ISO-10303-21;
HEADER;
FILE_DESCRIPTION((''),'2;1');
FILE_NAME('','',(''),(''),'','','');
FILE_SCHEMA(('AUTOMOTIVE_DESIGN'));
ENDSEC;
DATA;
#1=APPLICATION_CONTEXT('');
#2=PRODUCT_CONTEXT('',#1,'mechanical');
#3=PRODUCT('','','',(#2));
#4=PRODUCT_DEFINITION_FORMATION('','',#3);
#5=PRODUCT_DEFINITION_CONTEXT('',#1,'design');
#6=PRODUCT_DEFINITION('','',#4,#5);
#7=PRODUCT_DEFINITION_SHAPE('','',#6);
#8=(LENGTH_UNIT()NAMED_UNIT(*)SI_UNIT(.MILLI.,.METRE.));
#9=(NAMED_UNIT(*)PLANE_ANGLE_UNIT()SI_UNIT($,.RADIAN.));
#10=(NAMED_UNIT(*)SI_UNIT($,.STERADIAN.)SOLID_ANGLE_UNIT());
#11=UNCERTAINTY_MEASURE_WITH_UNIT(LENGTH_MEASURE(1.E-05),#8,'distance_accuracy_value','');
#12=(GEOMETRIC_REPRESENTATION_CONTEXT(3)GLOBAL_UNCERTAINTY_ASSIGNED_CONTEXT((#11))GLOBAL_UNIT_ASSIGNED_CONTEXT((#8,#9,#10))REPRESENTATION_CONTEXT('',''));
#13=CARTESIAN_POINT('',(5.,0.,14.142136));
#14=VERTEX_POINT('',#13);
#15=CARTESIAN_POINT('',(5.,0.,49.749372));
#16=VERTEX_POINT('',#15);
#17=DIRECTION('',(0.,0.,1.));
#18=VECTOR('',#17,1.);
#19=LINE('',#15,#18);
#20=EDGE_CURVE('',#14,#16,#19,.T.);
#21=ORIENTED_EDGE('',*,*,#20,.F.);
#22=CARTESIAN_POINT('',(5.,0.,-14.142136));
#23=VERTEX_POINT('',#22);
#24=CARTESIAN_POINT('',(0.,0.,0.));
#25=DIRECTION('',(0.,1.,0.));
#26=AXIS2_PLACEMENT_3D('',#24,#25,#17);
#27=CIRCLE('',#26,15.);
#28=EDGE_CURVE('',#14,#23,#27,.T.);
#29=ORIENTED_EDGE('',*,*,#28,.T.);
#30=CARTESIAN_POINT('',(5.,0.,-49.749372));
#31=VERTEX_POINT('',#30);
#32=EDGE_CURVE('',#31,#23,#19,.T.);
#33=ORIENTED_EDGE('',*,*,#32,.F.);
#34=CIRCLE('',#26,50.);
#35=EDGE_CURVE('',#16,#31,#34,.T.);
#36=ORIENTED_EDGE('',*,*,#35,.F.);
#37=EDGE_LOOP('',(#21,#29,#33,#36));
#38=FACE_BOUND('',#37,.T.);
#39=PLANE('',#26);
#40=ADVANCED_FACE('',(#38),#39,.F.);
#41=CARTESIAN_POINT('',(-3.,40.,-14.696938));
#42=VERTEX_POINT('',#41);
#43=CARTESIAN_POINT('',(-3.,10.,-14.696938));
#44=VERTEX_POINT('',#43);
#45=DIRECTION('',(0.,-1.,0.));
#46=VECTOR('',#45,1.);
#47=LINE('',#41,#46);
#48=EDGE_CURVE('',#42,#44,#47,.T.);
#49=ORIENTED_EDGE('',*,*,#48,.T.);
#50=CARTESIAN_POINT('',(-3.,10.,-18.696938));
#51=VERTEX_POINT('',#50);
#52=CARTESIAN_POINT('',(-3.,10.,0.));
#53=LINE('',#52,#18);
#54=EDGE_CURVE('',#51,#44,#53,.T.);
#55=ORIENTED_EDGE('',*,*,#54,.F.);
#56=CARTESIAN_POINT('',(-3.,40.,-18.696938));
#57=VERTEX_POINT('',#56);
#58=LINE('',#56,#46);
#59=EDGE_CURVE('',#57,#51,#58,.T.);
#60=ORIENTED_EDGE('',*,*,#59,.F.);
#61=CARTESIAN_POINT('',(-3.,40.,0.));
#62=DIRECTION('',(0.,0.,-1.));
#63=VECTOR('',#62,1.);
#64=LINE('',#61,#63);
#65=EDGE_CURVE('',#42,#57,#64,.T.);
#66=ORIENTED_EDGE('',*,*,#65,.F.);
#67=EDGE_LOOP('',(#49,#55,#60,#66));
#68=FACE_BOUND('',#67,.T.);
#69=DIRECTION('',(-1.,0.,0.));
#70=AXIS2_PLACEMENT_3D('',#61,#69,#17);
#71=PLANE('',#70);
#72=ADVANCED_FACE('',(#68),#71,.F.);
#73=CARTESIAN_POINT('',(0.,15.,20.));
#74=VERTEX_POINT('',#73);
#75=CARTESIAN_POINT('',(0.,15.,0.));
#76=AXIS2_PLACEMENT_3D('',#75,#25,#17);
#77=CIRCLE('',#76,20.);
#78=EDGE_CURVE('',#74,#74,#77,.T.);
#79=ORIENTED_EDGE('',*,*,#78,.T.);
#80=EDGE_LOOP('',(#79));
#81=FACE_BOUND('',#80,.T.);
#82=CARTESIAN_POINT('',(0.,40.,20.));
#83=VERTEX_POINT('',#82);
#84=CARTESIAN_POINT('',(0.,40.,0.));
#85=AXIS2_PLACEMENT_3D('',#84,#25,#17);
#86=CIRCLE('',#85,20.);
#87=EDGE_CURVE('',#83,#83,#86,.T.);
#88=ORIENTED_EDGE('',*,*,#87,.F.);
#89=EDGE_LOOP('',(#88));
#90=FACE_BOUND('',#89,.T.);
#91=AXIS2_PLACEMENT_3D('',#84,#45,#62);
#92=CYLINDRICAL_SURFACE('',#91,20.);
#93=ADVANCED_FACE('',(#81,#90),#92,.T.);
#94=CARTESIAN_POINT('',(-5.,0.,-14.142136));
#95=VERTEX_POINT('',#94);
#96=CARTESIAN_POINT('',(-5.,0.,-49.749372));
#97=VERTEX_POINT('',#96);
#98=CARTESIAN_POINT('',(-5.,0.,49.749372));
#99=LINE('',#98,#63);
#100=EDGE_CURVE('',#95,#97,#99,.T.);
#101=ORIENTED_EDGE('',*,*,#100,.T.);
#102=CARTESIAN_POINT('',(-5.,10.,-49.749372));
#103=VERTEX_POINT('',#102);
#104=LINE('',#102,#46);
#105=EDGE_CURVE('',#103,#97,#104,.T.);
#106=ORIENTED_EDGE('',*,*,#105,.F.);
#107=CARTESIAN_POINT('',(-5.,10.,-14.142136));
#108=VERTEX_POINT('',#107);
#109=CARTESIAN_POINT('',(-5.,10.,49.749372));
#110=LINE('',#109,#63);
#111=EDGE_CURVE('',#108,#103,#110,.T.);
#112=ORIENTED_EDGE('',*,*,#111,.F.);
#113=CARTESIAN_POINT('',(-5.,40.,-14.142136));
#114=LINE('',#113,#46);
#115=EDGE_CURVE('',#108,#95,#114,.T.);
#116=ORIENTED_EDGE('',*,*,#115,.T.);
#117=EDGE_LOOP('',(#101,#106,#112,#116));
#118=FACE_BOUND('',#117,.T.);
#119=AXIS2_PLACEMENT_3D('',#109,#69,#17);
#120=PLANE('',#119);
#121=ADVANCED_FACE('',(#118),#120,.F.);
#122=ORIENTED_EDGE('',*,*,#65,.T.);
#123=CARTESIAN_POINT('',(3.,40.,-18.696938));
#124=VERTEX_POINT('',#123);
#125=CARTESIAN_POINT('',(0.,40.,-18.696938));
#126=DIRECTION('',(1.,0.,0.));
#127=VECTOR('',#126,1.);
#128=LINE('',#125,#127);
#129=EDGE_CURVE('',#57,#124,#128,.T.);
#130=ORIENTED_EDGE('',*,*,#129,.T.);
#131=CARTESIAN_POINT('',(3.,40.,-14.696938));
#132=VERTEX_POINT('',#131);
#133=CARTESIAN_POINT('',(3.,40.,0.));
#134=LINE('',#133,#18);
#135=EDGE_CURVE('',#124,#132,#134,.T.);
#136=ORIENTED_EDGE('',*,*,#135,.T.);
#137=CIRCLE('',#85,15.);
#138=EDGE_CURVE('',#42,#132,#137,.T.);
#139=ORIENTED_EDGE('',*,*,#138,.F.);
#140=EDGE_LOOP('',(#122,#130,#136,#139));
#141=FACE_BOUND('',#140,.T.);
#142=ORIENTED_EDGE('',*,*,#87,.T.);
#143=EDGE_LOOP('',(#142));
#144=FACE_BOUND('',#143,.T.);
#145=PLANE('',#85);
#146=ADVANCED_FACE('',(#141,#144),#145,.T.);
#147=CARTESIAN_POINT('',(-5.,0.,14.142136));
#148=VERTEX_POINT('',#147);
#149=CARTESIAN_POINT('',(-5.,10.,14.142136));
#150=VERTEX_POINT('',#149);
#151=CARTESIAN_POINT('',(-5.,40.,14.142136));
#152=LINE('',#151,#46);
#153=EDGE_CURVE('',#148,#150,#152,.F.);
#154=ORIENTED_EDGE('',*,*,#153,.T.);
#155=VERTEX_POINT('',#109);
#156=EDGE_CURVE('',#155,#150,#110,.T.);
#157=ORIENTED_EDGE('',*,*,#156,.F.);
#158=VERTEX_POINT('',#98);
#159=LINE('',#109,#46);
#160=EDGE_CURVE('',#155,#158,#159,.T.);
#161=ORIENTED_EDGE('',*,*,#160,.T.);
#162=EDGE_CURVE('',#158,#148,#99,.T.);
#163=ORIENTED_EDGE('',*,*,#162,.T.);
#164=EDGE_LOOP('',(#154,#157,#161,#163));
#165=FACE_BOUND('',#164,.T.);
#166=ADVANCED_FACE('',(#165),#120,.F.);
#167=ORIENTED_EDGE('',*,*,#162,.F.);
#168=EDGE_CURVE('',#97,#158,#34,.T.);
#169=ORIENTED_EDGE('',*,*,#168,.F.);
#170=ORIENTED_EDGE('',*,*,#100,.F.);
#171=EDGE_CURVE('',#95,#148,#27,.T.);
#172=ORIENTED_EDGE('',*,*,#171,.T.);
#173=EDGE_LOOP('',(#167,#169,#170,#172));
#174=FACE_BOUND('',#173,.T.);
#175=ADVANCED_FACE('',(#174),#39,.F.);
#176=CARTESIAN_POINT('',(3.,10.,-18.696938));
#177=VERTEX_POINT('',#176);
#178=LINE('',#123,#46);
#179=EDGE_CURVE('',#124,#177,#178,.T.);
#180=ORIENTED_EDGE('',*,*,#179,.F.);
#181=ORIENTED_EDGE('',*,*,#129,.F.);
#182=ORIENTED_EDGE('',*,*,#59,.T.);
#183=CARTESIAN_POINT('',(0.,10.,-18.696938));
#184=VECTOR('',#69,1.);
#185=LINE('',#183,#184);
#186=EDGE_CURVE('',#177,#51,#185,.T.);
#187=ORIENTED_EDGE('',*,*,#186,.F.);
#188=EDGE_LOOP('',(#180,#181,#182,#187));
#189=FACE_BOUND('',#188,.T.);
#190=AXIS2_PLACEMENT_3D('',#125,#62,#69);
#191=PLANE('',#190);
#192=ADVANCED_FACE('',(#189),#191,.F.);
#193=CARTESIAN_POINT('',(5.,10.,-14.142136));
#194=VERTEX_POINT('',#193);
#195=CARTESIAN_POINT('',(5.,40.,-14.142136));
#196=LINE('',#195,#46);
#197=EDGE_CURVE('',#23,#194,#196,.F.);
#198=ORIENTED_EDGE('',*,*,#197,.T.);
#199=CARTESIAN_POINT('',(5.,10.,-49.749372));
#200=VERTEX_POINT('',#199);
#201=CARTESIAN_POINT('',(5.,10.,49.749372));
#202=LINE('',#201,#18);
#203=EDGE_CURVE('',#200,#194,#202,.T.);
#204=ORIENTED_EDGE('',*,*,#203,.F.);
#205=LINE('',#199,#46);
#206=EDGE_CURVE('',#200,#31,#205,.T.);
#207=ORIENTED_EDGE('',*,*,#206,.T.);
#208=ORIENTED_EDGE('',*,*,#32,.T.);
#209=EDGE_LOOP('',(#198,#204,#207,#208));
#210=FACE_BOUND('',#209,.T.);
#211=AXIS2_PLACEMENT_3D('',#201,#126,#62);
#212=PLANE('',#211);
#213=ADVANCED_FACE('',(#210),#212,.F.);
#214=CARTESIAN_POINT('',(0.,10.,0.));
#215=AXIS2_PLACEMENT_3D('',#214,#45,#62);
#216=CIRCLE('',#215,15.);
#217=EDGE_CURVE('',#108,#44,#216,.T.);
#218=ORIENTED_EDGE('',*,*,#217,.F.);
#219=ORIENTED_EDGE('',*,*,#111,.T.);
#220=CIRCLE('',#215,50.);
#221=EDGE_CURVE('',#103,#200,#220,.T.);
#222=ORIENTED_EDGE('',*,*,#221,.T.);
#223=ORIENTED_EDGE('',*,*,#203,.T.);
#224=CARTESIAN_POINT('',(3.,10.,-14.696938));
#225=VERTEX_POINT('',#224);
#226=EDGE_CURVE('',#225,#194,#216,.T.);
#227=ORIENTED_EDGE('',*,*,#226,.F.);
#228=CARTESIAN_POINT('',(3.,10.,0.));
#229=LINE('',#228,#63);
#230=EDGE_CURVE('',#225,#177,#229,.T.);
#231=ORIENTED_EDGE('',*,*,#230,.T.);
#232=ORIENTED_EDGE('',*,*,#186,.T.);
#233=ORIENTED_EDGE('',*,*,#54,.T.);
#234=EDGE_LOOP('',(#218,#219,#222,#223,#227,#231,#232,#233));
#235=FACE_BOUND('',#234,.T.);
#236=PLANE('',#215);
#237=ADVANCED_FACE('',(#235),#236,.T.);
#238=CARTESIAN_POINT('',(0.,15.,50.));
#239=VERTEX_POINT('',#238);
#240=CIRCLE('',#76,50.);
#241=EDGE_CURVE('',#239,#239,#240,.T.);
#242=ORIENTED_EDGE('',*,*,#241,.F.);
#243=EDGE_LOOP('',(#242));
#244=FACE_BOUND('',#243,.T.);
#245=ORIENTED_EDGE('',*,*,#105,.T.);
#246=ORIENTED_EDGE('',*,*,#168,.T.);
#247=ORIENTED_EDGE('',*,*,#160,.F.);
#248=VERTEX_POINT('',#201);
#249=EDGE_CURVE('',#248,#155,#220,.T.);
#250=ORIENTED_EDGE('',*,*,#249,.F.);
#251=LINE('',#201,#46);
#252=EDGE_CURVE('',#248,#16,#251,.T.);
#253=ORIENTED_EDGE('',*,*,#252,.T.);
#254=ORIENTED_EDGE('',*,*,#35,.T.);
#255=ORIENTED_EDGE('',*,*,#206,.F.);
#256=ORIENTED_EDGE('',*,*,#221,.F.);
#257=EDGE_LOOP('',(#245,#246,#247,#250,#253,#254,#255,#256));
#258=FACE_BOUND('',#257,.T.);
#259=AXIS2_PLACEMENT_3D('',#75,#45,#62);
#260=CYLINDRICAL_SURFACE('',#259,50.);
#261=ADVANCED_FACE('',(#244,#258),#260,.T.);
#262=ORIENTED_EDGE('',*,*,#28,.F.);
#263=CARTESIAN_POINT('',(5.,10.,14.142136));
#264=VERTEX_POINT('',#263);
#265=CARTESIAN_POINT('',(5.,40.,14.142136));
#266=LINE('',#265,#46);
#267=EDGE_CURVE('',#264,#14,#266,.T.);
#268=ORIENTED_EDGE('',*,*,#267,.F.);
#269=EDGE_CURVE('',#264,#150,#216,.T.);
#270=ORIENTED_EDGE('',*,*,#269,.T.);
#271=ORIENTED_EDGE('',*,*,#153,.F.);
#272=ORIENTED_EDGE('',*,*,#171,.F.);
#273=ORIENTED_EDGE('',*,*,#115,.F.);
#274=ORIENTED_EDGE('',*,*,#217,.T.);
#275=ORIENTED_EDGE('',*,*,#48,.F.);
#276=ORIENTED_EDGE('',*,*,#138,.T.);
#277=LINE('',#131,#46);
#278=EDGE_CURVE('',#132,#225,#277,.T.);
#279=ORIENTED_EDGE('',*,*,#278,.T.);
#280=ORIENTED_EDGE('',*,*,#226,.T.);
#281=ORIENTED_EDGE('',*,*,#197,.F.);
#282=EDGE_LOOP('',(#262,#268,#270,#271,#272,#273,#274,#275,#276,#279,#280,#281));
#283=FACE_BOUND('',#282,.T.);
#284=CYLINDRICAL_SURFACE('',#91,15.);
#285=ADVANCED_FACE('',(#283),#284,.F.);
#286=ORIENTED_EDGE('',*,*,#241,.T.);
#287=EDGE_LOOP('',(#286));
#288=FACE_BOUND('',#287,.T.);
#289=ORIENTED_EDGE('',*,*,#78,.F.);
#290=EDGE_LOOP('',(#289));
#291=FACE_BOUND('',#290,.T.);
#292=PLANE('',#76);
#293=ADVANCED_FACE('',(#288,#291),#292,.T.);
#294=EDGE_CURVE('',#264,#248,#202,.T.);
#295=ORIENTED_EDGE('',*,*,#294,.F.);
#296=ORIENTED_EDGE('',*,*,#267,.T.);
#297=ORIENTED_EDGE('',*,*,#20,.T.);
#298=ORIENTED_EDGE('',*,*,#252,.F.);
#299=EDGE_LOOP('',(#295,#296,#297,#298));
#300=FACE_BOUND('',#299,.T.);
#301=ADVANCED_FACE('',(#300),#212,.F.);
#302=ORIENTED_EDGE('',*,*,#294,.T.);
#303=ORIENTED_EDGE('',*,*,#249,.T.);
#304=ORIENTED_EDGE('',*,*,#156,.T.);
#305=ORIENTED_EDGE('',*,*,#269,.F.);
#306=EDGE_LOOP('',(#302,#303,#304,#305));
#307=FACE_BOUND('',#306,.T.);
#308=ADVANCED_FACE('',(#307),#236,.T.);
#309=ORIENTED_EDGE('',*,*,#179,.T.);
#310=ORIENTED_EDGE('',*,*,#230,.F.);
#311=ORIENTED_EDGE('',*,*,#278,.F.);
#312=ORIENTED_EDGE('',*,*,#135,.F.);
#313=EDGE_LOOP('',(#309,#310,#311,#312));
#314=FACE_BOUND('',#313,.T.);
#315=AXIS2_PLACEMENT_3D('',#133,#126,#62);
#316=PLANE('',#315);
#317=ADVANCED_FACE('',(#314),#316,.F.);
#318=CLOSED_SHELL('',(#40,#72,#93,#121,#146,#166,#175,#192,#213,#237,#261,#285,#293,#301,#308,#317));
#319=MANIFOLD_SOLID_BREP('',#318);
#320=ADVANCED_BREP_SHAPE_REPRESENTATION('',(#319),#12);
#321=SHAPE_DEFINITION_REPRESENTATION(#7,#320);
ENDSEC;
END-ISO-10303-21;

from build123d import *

# Parameters (mm, degrees)
SKETCH1_R           = 50
SKETCH1_R_2         = 20
BOSS_EXTRUDE1_DEPTH = 15
SKETCH1_3_R         = 20
BOSS_EXTRUDE2_DEPTH = 40
CUT_EXTRUDE1_DEPTH  = 10


with BuildPart() as part:
    # Sketch1 → Boss-Extrude1 (new body)
    with BuildSketch(Plane(origin=(0, 0, 0), x_dir=(1, 0, 0), z_dir=(0, 1, 0))):
        Circle(SKETCH1_R)
        Circle(SKETCH1_R_2, mode=Mode.SUBTRACT)
    extrude(amount=BOSS_EXTRUDE1_DEPTH)

    # Sketch1<3> → Boss-Extrude2 (add)
    with BuildSketch(Plane(origin=(0, 0, 0), x_dir=(1, 0, 0), z_dir=(0, 1, 0))):
        Circle(SKETCH1_3_R)
        with BuildLine():
            ThreePointArc((3, 14.696938457), (0, -15), (-3, 14.696938457))
            Line((-3, 14.696938457), (-3, 18.696938457))
            Line((-3, 18.696938457), (3, 18.696938457))
            Line((3, 18.696938457), (3, 14.696938457))
        make_face(mode=Mode.SUBTRACT)
    extrude(amount=BOSS_EXTRUDE2_DEPTH)

    # Sketch2 → Cut-Extrude1 (cut)
    with BuildSketch(Plane.XZ):
        with BuildLine():
            Line((-5, 49.749371855), (-5, -49.749371855))
            ThreePointArc((-5, -49.749371855), (0, -50), (5, -49.749371855))
            Line((5, -49.749371855), (5, 49.749371855))
            ThreePointArc((5, 49.749371855), (0, 50), (-5, 49.749371855))
        make_face()
    extrude(amount=-CUT_EXTRUDE1_DEPTH, mode=Mode.SUBTRACT)


solid = part.part
